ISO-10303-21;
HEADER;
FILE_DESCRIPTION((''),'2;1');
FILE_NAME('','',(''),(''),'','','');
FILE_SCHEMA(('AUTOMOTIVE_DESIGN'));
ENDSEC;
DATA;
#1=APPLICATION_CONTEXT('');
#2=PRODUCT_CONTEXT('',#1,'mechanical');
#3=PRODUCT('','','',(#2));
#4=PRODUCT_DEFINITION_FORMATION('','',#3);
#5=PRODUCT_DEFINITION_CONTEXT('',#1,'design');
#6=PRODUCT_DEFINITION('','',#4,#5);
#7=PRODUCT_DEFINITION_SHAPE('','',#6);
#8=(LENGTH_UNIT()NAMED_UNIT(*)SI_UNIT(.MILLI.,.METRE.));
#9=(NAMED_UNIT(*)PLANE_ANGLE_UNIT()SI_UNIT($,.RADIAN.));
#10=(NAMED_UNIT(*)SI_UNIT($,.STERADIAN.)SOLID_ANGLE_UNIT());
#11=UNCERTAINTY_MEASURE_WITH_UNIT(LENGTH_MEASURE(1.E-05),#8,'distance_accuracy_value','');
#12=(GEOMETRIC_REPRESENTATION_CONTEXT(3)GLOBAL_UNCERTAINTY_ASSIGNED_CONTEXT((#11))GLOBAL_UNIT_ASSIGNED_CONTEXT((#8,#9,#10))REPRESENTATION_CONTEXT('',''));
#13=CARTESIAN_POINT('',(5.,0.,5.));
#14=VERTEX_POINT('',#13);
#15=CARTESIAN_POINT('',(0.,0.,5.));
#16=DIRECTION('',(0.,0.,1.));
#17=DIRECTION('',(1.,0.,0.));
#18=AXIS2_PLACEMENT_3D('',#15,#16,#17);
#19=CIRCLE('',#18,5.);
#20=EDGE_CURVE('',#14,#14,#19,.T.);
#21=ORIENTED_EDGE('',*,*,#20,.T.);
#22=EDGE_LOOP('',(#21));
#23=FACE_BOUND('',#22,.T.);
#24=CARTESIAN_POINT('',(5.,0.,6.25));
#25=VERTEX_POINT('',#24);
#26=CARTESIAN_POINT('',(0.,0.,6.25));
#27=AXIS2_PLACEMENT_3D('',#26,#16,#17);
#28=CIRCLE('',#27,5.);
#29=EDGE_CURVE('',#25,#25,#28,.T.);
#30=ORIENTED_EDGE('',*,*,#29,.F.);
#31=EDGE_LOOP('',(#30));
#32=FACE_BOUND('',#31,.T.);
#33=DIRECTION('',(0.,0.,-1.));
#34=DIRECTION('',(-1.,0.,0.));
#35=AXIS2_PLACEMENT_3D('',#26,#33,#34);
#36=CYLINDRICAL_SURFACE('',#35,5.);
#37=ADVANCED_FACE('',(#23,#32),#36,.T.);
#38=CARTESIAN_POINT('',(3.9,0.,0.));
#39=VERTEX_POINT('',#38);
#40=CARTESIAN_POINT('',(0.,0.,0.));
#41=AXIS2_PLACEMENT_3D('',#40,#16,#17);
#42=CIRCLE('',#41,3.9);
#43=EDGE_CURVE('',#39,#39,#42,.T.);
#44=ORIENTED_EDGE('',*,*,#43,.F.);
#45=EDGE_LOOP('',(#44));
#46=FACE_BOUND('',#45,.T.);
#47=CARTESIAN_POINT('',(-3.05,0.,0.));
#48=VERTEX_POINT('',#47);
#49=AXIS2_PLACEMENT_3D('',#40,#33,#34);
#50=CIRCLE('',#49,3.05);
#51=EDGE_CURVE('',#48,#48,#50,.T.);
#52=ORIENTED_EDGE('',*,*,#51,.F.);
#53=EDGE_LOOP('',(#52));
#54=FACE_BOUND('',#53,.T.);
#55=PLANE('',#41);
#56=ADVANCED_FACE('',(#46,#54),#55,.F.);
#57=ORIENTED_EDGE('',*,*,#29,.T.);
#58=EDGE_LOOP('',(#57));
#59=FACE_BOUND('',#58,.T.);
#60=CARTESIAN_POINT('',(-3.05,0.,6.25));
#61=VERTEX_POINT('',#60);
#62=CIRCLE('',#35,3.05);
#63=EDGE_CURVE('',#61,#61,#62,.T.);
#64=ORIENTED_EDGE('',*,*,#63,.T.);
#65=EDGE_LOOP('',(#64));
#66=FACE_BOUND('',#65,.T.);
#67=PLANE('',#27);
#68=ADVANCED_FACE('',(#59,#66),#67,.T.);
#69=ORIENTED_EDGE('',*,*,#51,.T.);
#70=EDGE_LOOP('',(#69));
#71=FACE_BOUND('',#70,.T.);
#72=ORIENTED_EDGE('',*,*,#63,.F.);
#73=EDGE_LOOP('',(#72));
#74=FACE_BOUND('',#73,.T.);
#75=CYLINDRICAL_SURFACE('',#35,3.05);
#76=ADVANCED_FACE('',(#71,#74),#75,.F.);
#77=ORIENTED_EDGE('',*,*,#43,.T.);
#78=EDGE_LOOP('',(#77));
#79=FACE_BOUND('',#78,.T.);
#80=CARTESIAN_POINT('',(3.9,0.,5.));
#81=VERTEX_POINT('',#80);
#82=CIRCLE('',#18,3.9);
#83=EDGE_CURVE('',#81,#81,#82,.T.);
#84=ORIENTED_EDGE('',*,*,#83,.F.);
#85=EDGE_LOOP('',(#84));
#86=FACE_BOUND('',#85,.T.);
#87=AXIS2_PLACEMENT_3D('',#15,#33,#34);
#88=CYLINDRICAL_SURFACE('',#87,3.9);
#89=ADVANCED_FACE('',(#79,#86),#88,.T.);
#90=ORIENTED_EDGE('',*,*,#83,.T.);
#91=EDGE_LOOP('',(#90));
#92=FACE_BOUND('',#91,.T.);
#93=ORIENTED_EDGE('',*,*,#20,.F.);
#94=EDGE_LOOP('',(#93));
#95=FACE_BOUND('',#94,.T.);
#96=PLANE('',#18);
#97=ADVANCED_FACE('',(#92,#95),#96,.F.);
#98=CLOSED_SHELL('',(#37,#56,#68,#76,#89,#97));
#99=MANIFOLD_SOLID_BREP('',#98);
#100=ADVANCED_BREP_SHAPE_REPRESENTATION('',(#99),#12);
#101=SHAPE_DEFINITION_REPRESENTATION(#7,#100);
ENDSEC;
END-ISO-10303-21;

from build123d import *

# Parameters (mm, degrees)
SKETCH1_R           = 3.9
BOSS_EXTRUDE1_DEPTH = 5
SKETCH2_R           = 5
BOSS_EXTRUDE2_DEPTH = 1.25
SKETCH3_R           = 3.05
CUT_EXTRUDE2_DEPTH  = 7.25


with BuildPart() as part:
    # Sketch1 → Boss-Extrude1 (new body)
    with BuildSketch(Plane.XY):
        Circle(SKETCH1_R)
    extrude(amount=BOSS_EXTRUDE1_DEPTH)

    # Sketch2 → Boss-Extrude2 (add)
    with BuildSketch(Plane.XY.offset(5)):
        Circle(SKETCH2_R)
    extrude(amount=BOSS_EXTRUDE2_DEPTH)

    # Sketch3 → Cut-Extrude2 (cut, through all)
    with BuildSketch(Plane(origin=(0, 0, 0), x_dir=(-1, 0, 0), z_dir=(0, 0, -1))):
        Circle(SKETCH3_R)
    extrude(amount=-CUT_EXTRUDE2_DEPTH, mode=Mode.SUBTRACT)


solid = part.part
